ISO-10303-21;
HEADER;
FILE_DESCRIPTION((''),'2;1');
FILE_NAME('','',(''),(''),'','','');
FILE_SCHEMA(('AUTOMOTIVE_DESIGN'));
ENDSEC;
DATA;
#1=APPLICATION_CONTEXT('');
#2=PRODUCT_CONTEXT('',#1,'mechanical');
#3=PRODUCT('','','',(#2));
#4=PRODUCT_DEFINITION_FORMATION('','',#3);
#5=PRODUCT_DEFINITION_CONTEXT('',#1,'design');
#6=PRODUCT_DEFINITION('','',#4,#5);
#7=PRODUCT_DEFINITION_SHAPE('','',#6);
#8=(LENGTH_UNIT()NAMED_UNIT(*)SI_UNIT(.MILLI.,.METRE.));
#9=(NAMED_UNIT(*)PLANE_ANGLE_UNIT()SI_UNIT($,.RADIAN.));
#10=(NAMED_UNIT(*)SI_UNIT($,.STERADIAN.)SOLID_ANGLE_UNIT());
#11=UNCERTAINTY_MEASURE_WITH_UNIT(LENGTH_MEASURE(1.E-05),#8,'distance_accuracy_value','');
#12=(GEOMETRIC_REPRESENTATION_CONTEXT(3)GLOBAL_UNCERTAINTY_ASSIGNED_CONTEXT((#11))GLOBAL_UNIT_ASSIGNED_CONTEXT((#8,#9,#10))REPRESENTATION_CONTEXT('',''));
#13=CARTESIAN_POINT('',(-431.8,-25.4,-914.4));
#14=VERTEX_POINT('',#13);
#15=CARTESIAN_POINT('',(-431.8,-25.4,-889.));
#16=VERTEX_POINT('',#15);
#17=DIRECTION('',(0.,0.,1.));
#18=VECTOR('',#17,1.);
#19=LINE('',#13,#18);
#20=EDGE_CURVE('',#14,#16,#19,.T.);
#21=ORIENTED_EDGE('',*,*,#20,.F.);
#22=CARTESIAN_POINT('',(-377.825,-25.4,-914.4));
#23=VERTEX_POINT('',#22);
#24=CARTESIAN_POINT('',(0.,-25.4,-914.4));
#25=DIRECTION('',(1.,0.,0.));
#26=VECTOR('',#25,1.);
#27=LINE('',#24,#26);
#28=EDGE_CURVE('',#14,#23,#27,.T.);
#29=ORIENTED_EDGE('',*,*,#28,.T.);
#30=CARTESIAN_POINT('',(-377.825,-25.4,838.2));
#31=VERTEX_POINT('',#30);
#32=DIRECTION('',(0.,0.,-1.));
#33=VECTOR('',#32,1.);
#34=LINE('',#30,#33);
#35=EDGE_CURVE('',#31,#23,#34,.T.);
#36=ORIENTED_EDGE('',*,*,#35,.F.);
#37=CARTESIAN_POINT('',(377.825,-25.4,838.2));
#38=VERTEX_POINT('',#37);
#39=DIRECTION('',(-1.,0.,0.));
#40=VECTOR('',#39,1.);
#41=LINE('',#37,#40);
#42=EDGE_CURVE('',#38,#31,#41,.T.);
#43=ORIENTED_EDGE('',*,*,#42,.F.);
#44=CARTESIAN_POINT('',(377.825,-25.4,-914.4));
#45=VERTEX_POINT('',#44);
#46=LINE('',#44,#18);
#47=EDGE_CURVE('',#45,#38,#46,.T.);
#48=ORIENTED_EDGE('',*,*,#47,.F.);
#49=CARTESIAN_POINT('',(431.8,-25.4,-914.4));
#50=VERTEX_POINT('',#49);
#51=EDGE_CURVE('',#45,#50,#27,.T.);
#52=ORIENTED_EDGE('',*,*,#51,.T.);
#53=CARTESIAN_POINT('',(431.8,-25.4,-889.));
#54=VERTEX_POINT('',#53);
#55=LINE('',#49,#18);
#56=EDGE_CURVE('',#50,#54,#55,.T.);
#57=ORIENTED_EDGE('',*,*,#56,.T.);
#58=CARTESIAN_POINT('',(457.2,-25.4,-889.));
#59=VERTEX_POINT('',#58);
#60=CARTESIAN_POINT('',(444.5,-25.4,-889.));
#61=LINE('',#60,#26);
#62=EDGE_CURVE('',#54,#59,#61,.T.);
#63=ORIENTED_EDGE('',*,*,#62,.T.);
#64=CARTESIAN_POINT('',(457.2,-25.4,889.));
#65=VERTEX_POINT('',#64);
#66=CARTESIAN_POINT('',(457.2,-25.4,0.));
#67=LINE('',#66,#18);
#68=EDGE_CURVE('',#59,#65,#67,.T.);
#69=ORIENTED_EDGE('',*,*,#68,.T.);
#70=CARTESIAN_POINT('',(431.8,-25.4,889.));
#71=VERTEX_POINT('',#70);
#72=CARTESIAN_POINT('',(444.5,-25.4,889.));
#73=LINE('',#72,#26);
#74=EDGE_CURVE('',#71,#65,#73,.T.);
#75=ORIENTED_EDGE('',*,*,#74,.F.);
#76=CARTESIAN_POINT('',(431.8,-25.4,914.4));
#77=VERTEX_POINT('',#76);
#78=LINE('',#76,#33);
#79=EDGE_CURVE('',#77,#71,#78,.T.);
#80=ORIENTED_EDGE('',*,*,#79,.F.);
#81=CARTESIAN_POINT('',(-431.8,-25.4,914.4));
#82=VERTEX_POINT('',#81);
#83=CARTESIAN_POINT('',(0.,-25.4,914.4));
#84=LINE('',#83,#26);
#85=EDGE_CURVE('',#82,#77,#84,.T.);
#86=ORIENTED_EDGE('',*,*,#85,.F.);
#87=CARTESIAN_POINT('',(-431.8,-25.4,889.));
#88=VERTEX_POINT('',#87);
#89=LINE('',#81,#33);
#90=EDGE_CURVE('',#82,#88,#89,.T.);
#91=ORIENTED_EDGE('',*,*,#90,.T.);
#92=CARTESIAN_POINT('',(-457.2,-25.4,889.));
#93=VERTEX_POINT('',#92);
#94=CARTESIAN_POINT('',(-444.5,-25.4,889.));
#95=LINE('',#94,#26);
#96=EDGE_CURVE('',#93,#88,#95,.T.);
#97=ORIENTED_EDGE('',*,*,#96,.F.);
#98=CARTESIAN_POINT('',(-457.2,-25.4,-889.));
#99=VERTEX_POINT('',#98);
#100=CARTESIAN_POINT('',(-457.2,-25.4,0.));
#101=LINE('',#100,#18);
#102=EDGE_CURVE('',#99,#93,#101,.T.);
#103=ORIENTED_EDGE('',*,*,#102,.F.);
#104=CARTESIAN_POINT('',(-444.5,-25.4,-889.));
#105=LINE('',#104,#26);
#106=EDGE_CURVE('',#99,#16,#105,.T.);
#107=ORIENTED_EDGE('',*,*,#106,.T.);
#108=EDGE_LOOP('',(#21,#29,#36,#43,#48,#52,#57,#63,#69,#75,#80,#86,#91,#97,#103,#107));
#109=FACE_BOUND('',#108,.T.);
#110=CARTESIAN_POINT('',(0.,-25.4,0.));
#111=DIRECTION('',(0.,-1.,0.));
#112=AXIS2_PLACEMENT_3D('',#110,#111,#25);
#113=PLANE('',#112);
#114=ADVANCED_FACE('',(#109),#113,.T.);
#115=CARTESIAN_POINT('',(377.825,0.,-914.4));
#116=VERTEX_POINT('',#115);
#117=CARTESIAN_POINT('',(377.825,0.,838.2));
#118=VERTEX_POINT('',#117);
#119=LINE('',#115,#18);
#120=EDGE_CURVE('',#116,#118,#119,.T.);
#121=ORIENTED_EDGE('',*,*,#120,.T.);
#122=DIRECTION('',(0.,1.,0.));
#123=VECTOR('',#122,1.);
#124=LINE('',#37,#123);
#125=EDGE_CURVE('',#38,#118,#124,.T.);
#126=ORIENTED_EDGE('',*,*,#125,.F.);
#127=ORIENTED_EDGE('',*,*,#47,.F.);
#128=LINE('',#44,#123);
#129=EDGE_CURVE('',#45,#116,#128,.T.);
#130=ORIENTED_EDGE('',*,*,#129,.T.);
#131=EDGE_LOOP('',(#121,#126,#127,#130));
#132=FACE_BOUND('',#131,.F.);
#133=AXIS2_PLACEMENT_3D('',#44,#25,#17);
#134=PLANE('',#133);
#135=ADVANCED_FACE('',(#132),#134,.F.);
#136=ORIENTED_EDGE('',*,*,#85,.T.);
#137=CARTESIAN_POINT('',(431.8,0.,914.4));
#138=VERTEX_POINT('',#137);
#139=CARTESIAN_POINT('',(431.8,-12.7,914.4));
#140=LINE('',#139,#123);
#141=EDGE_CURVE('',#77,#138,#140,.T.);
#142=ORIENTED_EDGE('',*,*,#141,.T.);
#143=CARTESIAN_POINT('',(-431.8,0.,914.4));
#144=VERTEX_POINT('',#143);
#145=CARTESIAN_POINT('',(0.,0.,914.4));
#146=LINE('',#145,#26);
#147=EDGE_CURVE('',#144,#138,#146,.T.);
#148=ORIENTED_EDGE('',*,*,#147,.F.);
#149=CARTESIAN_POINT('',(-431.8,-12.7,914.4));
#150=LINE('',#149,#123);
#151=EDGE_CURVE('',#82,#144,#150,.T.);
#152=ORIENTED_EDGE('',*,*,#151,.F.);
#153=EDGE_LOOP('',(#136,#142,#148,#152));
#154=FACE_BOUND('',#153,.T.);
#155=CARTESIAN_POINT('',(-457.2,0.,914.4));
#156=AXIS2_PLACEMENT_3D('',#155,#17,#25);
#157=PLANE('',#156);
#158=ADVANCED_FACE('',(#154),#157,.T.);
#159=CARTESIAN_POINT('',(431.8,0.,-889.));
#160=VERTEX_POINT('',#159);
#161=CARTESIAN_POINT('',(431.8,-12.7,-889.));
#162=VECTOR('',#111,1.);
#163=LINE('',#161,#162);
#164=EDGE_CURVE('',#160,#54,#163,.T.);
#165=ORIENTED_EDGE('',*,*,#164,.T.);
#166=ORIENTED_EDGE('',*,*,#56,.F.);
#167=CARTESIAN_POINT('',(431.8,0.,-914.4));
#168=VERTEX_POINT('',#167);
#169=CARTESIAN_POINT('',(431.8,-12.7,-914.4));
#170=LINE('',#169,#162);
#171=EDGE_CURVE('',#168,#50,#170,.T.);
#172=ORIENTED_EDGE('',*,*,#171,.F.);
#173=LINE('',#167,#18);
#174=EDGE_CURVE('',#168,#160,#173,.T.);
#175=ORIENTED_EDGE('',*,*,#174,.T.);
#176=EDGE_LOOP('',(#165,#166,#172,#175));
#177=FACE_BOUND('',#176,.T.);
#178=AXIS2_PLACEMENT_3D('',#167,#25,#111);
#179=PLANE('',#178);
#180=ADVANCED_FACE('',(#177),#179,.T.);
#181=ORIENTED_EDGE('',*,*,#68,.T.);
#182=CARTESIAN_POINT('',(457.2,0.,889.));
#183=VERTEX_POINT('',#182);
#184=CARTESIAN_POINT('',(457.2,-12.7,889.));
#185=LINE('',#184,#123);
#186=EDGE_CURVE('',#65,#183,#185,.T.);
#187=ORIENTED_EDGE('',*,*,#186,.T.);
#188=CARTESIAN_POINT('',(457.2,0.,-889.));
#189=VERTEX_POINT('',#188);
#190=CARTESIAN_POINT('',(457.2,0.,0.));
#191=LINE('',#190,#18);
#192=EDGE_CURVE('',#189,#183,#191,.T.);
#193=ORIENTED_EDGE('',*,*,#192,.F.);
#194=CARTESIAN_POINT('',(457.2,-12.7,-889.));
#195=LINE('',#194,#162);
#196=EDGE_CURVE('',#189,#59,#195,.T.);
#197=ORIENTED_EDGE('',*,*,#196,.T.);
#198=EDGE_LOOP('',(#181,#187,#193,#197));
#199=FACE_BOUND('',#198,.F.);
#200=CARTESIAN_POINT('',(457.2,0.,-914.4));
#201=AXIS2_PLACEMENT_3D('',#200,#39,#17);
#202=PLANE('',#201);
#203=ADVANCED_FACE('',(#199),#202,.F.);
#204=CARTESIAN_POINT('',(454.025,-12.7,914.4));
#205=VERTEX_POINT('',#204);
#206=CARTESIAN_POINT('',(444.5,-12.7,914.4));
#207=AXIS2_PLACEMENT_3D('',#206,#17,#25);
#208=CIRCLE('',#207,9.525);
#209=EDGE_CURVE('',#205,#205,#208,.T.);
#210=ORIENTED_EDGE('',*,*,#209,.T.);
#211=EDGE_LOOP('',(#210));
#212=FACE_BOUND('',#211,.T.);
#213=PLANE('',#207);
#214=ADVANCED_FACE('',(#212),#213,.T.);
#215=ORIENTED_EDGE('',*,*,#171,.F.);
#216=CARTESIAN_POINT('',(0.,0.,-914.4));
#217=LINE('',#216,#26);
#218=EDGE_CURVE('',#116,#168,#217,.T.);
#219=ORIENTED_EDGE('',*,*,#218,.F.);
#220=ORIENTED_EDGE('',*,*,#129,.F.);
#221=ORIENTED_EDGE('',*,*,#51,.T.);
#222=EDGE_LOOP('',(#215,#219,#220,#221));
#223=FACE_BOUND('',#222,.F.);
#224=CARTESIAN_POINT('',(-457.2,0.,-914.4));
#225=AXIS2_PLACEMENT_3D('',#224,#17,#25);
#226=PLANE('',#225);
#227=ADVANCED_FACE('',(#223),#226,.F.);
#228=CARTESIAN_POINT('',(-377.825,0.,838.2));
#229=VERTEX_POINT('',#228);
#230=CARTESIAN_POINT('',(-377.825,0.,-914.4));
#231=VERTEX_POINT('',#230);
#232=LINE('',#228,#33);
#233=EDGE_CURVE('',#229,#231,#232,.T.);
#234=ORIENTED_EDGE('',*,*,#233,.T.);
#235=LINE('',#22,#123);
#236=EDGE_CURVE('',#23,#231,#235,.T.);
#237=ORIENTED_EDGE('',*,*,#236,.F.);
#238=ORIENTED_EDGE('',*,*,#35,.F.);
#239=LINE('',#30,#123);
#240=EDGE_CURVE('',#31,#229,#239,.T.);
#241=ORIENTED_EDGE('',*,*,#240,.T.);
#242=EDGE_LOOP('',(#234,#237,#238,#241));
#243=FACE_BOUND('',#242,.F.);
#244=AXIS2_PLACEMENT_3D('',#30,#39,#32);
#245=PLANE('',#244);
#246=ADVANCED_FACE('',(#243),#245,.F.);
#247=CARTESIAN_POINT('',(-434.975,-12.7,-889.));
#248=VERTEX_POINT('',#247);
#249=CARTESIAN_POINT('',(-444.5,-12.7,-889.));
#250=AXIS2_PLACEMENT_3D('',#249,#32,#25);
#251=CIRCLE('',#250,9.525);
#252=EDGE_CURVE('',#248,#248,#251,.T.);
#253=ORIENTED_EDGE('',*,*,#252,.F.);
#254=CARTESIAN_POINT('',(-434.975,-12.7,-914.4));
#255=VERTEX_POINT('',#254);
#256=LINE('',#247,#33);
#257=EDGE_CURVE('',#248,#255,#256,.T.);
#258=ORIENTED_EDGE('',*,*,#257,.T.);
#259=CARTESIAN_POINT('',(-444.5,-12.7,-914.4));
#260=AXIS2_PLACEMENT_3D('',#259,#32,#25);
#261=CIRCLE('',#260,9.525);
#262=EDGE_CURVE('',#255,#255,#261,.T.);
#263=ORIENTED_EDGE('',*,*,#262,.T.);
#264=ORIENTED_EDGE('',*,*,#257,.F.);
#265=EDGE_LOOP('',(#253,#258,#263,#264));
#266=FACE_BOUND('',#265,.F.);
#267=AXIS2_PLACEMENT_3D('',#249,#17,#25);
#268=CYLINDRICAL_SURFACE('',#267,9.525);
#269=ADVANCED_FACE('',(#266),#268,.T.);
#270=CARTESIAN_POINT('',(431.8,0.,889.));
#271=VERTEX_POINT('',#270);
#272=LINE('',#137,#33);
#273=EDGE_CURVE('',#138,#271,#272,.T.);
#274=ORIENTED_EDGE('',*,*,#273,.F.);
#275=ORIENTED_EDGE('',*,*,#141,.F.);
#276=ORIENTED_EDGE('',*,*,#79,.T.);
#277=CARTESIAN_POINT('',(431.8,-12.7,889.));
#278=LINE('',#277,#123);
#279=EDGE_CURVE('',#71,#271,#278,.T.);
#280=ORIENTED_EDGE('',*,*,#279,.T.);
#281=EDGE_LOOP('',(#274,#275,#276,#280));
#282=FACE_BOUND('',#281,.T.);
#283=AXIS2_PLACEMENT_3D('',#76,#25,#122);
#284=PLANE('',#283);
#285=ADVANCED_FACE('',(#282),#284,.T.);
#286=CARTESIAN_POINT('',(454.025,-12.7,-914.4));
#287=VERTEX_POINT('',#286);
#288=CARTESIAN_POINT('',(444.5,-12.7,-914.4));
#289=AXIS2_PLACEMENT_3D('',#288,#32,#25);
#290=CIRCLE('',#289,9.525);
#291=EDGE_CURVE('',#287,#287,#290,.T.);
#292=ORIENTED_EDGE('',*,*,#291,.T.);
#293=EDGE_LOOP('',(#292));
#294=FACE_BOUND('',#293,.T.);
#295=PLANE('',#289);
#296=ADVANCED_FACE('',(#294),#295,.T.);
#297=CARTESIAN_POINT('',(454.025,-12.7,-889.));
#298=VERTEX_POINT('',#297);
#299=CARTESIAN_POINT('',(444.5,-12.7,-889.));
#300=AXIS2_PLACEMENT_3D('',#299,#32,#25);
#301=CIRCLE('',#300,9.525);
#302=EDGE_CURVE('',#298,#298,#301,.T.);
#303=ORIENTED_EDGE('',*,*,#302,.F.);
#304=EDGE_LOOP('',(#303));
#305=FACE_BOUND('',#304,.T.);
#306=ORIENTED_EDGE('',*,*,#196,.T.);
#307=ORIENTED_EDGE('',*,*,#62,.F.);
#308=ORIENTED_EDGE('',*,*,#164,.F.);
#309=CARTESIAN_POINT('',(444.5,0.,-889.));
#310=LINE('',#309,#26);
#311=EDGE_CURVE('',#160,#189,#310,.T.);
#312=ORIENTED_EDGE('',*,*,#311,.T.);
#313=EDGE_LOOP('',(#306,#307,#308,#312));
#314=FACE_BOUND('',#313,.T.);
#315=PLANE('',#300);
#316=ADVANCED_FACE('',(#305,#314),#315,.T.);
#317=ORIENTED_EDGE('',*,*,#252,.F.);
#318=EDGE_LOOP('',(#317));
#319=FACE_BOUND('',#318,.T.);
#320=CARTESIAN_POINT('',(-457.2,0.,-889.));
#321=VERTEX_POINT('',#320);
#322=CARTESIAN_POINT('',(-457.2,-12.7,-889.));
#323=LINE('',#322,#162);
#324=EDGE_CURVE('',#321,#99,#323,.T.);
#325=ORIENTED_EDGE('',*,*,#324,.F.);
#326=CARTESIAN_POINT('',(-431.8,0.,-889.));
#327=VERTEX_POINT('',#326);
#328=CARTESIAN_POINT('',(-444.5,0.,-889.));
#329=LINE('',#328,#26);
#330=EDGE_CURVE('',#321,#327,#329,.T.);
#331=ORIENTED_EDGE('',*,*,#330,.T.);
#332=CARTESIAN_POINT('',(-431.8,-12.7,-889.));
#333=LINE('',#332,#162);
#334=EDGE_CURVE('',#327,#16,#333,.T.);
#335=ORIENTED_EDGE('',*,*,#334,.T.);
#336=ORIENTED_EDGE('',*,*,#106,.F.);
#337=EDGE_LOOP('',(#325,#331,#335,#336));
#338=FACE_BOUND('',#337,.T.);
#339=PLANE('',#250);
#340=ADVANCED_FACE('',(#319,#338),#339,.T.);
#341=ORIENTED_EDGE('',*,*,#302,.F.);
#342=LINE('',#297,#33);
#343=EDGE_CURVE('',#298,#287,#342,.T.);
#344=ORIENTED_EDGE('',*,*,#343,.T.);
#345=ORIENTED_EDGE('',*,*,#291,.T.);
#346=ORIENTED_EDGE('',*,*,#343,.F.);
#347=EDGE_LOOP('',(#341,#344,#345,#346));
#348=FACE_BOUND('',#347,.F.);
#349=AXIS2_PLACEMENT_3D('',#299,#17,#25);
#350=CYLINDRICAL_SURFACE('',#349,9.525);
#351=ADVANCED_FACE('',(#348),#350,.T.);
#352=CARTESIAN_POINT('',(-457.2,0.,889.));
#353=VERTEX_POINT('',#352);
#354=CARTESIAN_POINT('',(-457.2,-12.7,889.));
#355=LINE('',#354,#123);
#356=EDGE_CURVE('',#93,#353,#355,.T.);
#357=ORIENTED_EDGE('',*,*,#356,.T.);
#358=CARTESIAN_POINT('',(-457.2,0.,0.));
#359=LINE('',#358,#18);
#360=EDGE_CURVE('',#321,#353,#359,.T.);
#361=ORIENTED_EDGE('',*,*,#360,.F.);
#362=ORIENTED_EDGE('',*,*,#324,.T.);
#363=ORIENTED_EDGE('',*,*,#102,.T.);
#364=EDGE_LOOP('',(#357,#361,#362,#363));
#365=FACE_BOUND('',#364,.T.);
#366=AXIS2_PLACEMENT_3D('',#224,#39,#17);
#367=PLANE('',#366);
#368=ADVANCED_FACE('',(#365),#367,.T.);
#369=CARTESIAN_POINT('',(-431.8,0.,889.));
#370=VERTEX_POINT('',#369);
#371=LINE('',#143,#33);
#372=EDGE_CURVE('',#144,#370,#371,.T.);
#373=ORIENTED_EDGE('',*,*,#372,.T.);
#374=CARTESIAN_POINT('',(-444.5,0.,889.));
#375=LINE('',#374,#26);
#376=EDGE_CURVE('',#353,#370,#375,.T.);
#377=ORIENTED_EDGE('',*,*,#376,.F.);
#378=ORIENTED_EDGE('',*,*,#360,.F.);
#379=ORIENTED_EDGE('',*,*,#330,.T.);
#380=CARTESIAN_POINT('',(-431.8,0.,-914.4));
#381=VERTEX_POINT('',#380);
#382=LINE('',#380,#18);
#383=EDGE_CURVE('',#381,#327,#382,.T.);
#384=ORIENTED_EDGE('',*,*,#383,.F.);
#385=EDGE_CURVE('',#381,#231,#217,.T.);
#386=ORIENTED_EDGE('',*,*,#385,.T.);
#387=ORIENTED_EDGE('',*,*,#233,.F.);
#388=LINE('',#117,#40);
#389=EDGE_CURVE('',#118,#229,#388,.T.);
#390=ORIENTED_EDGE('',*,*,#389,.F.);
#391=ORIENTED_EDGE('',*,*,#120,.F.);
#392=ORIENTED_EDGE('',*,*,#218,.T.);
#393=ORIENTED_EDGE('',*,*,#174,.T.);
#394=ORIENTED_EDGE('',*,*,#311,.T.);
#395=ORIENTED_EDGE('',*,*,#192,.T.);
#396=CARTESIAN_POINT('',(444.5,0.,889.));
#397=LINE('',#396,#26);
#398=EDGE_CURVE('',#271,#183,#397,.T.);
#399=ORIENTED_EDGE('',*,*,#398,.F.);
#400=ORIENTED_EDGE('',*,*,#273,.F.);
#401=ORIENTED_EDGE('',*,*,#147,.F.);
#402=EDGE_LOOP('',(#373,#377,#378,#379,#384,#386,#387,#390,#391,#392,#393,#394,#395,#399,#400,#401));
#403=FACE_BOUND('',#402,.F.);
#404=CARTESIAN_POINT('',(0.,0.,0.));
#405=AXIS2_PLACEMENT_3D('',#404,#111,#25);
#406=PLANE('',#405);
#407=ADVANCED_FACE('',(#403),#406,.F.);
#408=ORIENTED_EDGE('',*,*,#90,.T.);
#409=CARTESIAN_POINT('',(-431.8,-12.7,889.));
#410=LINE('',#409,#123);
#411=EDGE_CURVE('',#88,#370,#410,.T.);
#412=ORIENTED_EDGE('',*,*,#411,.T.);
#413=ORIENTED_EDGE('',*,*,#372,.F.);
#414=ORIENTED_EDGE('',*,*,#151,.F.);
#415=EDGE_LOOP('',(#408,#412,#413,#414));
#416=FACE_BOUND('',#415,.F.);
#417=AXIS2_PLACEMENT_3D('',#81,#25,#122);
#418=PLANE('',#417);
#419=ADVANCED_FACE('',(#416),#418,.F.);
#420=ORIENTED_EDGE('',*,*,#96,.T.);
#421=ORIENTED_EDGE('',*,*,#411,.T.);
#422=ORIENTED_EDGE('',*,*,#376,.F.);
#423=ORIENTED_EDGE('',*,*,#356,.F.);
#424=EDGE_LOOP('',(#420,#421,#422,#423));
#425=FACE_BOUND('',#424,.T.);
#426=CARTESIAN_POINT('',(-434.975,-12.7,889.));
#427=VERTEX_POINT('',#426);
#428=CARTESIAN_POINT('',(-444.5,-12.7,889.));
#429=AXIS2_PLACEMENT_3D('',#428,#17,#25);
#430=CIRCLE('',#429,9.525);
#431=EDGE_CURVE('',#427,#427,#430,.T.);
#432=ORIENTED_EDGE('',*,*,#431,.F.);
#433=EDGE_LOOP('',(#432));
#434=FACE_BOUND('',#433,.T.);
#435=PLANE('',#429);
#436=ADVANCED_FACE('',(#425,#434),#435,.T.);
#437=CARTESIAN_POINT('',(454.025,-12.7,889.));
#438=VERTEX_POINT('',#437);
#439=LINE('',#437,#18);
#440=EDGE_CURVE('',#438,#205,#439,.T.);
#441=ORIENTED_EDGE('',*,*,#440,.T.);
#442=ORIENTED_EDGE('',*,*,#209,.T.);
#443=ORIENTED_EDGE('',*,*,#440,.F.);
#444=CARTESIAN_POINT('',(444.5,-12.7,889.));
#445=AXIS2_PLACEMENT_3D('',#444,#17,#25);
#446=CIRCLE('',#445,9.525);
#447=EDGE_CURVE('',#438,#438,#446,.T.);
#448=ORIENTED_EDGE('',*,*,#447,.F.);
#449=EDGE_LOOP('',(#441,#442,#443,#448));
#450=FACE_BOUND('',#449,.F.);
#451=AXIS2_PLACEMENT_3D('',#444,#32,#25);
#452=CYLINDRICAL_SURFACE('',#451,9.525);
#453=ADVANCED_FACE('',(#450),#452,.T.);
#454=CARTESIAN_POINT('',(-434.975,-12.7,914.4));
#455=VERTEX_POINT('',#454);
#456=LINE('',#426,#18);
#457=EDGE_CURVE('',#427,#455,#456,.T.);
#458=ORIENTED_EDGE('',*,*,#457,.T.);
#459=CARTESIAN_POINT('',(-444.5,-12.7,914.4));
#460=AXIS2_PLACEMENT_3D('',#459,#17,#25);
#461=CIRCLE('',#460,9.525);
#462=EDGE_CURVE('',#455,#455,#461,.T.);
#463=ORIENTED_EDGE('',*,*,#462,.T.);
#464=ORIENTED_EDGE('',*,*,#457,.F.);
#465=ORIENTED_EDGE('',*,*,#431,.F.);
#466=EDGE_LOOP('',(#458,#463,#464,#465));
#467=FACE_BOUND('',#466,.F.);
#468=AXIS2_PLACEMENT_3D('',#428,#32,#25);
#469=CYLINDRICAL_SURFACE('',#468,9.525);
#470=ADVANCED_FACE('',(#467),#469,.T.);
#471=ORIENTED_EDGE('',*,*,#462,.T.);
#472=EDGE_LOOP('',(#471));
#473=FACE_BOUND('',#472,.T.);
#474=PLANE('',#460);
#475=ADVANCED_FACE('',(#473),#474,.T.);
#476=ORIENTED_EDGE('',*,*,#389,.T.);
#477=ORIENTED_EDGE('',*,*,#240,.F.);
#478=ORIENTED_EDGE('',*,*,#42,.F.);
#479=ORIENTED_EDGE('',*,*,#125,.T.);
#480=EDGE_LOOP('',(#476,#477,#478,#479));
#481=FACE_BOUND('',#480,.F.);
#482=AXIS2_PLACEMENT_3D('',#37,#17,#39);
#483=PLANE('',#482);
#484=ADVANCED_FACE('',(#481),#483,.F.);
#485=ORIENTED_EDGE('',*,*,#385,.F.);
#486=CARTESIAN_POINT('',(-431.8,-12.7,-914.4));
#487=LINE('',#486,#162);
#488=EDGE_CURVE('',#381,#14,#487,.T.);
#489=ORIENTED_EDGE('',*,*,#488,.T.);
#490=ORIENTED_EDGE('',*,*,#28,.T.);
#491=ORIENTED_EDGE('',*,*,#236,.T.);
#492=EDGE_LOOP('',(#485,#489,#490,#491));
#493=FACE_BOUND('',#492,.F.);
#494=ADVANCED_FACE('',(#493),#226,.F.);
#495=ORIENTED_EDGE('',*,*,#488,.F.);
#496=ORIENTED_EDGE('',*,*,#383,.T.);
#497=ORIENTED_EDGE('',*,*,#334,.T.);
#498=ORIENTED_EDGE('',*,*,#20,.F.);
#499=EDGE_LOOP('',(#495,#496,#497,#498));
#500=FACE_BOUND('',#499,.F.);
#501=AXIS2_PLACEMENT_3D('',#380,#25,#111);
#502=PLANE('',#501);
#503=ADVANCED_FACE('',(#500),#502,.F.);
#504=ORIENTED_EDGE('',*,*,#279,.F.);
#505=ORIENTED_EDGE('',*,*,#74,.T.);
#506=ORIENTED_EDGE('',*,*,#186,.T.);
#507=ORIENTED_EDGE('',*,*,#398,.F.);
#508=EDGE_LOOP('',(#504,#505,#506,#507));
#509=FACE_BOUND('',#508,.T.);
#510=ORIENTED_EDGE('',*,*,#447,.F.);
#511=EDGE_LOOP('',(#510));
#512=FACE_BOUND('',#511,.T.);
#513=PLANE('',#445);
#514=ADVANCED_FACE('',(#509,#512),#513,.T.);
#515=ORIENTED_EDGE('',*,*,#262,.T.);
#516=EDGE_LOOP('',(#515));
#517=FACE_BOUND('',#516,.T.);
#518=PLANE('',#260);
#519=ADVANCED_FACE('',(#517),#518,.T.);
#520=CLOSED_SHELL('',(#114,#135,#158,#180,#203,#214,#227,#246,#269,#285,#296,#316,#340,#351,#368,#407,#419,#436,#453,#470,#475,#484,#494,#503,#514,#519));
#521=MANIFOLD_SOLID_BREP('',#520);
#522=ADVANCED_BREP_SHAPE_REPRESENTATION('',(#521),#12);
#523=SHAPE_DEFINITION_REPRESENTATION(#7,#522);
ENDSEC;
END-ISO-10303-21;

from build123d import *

# Parameters (mm, degrees)
F0_W      = 914.4
F0_H      = 1828.8
F1_DEPTH  = 25.4
F2_W      = 25.4
F2_H      = 25.4
F3_DEPTH  = 25.4
F4_W      = 25.4
F4_H      = 25.4
F5_DEPTH  = 25.4
F6_R      = 9.525
F7_DEPTH  = 25.4
F8_R      = 9.525
F9_DEPTH  = 25.4
F10_R     = 9.525
F11_DEPTH = 25.4
F12_R     = 9.525
F13_DEPTH = 25.4
F15_DEPTH = 25.4


with BuildPart() as f1:
    # F0 (on Front) → F1 (new body)
    with BuildSketch(Plane.XZ):
        Rectangle(F0_W, F0_H)
    extrude(amount=F1_DEPTH)

    # F2 (on face) → F3 (cut)
    with BuildSketch(Plane.XY.offset(914.4)):
        with Locations((-444.5, -12.7)):
            Rectangle(F2_W, F2_H)
        with Locations((444.5, -12.7)):
            Rectangle(F2_W, F2_H)
    extrude(amount=-F3_DEPTH, mode=Mode.SUBTRACT)

    # F4 (on face) → F5 (cut)
    with BuildSketch(Plane(origin=(0, 0, -914.4), x_dir=(1, 0, 0), z_dir=(0, 0, -1))):
        with Locations((-444.5, 12.7)):
            Rectangle(F4_W, F4_H)
        with Locations((444.5, 12.7)):
            Rectangle(F4_W, F4_H)
    extrude(amount=-F5_DEPTH, mode=Mode.SUBTRACT)

    # F6 (on face) → F7 (join)
    with BuildSketch(Plane.XY.offset(889)):
        with Locations((-444.5, -12.7)):
            Circle(F6_R)
    extrude(amount=F7_DEPTH)

    # F8 (on face) → F9 (join)
    with BuildSketch(Plane.XY.offset(889)):
        with Locations((444.5, -12.7)):
            Circle(F8_R)
    extrude(amount=F9_DEPTH)

    # F10 (on face) → F11 (join)
    with BuildSketch(Plane(origin=(0, 0, -889), x_dir=(1, 0, 0), z_dir=(0, 0, -1))):
        with Locations((-444.5, 12.7)):
            Circle(F10_R)
    extrude(amount=F11_DEPTH)

    # F12 (on face) → F13 (join)
    with BuildSketch(Plane(origin=(0, 0, -889), x_dir=(1, 0, 0), z_dir=(0, 0, -1))):
        with Locations((444.5, 12.7)):
            Circle(F12_R)
    extrude(amount=F13_DEPTH)

    # F14 (on face) → F15 (cut)
    with BuildSketch(Plane.XZ.offset(25.4)):
        Polygon((-377.825, 838.2), (-377.825, -914.4), (-323.85, -914.4), (-215.9, -914.4), (0, -914.4), (215.9, -914.4), (323.85, -914.4), (377.825, -914.4), (377.825, 838.2), align=None)
    extrude(amount=-F15_DEPTH, mode=Mode.SUBTRACT)


solid = f1.part
